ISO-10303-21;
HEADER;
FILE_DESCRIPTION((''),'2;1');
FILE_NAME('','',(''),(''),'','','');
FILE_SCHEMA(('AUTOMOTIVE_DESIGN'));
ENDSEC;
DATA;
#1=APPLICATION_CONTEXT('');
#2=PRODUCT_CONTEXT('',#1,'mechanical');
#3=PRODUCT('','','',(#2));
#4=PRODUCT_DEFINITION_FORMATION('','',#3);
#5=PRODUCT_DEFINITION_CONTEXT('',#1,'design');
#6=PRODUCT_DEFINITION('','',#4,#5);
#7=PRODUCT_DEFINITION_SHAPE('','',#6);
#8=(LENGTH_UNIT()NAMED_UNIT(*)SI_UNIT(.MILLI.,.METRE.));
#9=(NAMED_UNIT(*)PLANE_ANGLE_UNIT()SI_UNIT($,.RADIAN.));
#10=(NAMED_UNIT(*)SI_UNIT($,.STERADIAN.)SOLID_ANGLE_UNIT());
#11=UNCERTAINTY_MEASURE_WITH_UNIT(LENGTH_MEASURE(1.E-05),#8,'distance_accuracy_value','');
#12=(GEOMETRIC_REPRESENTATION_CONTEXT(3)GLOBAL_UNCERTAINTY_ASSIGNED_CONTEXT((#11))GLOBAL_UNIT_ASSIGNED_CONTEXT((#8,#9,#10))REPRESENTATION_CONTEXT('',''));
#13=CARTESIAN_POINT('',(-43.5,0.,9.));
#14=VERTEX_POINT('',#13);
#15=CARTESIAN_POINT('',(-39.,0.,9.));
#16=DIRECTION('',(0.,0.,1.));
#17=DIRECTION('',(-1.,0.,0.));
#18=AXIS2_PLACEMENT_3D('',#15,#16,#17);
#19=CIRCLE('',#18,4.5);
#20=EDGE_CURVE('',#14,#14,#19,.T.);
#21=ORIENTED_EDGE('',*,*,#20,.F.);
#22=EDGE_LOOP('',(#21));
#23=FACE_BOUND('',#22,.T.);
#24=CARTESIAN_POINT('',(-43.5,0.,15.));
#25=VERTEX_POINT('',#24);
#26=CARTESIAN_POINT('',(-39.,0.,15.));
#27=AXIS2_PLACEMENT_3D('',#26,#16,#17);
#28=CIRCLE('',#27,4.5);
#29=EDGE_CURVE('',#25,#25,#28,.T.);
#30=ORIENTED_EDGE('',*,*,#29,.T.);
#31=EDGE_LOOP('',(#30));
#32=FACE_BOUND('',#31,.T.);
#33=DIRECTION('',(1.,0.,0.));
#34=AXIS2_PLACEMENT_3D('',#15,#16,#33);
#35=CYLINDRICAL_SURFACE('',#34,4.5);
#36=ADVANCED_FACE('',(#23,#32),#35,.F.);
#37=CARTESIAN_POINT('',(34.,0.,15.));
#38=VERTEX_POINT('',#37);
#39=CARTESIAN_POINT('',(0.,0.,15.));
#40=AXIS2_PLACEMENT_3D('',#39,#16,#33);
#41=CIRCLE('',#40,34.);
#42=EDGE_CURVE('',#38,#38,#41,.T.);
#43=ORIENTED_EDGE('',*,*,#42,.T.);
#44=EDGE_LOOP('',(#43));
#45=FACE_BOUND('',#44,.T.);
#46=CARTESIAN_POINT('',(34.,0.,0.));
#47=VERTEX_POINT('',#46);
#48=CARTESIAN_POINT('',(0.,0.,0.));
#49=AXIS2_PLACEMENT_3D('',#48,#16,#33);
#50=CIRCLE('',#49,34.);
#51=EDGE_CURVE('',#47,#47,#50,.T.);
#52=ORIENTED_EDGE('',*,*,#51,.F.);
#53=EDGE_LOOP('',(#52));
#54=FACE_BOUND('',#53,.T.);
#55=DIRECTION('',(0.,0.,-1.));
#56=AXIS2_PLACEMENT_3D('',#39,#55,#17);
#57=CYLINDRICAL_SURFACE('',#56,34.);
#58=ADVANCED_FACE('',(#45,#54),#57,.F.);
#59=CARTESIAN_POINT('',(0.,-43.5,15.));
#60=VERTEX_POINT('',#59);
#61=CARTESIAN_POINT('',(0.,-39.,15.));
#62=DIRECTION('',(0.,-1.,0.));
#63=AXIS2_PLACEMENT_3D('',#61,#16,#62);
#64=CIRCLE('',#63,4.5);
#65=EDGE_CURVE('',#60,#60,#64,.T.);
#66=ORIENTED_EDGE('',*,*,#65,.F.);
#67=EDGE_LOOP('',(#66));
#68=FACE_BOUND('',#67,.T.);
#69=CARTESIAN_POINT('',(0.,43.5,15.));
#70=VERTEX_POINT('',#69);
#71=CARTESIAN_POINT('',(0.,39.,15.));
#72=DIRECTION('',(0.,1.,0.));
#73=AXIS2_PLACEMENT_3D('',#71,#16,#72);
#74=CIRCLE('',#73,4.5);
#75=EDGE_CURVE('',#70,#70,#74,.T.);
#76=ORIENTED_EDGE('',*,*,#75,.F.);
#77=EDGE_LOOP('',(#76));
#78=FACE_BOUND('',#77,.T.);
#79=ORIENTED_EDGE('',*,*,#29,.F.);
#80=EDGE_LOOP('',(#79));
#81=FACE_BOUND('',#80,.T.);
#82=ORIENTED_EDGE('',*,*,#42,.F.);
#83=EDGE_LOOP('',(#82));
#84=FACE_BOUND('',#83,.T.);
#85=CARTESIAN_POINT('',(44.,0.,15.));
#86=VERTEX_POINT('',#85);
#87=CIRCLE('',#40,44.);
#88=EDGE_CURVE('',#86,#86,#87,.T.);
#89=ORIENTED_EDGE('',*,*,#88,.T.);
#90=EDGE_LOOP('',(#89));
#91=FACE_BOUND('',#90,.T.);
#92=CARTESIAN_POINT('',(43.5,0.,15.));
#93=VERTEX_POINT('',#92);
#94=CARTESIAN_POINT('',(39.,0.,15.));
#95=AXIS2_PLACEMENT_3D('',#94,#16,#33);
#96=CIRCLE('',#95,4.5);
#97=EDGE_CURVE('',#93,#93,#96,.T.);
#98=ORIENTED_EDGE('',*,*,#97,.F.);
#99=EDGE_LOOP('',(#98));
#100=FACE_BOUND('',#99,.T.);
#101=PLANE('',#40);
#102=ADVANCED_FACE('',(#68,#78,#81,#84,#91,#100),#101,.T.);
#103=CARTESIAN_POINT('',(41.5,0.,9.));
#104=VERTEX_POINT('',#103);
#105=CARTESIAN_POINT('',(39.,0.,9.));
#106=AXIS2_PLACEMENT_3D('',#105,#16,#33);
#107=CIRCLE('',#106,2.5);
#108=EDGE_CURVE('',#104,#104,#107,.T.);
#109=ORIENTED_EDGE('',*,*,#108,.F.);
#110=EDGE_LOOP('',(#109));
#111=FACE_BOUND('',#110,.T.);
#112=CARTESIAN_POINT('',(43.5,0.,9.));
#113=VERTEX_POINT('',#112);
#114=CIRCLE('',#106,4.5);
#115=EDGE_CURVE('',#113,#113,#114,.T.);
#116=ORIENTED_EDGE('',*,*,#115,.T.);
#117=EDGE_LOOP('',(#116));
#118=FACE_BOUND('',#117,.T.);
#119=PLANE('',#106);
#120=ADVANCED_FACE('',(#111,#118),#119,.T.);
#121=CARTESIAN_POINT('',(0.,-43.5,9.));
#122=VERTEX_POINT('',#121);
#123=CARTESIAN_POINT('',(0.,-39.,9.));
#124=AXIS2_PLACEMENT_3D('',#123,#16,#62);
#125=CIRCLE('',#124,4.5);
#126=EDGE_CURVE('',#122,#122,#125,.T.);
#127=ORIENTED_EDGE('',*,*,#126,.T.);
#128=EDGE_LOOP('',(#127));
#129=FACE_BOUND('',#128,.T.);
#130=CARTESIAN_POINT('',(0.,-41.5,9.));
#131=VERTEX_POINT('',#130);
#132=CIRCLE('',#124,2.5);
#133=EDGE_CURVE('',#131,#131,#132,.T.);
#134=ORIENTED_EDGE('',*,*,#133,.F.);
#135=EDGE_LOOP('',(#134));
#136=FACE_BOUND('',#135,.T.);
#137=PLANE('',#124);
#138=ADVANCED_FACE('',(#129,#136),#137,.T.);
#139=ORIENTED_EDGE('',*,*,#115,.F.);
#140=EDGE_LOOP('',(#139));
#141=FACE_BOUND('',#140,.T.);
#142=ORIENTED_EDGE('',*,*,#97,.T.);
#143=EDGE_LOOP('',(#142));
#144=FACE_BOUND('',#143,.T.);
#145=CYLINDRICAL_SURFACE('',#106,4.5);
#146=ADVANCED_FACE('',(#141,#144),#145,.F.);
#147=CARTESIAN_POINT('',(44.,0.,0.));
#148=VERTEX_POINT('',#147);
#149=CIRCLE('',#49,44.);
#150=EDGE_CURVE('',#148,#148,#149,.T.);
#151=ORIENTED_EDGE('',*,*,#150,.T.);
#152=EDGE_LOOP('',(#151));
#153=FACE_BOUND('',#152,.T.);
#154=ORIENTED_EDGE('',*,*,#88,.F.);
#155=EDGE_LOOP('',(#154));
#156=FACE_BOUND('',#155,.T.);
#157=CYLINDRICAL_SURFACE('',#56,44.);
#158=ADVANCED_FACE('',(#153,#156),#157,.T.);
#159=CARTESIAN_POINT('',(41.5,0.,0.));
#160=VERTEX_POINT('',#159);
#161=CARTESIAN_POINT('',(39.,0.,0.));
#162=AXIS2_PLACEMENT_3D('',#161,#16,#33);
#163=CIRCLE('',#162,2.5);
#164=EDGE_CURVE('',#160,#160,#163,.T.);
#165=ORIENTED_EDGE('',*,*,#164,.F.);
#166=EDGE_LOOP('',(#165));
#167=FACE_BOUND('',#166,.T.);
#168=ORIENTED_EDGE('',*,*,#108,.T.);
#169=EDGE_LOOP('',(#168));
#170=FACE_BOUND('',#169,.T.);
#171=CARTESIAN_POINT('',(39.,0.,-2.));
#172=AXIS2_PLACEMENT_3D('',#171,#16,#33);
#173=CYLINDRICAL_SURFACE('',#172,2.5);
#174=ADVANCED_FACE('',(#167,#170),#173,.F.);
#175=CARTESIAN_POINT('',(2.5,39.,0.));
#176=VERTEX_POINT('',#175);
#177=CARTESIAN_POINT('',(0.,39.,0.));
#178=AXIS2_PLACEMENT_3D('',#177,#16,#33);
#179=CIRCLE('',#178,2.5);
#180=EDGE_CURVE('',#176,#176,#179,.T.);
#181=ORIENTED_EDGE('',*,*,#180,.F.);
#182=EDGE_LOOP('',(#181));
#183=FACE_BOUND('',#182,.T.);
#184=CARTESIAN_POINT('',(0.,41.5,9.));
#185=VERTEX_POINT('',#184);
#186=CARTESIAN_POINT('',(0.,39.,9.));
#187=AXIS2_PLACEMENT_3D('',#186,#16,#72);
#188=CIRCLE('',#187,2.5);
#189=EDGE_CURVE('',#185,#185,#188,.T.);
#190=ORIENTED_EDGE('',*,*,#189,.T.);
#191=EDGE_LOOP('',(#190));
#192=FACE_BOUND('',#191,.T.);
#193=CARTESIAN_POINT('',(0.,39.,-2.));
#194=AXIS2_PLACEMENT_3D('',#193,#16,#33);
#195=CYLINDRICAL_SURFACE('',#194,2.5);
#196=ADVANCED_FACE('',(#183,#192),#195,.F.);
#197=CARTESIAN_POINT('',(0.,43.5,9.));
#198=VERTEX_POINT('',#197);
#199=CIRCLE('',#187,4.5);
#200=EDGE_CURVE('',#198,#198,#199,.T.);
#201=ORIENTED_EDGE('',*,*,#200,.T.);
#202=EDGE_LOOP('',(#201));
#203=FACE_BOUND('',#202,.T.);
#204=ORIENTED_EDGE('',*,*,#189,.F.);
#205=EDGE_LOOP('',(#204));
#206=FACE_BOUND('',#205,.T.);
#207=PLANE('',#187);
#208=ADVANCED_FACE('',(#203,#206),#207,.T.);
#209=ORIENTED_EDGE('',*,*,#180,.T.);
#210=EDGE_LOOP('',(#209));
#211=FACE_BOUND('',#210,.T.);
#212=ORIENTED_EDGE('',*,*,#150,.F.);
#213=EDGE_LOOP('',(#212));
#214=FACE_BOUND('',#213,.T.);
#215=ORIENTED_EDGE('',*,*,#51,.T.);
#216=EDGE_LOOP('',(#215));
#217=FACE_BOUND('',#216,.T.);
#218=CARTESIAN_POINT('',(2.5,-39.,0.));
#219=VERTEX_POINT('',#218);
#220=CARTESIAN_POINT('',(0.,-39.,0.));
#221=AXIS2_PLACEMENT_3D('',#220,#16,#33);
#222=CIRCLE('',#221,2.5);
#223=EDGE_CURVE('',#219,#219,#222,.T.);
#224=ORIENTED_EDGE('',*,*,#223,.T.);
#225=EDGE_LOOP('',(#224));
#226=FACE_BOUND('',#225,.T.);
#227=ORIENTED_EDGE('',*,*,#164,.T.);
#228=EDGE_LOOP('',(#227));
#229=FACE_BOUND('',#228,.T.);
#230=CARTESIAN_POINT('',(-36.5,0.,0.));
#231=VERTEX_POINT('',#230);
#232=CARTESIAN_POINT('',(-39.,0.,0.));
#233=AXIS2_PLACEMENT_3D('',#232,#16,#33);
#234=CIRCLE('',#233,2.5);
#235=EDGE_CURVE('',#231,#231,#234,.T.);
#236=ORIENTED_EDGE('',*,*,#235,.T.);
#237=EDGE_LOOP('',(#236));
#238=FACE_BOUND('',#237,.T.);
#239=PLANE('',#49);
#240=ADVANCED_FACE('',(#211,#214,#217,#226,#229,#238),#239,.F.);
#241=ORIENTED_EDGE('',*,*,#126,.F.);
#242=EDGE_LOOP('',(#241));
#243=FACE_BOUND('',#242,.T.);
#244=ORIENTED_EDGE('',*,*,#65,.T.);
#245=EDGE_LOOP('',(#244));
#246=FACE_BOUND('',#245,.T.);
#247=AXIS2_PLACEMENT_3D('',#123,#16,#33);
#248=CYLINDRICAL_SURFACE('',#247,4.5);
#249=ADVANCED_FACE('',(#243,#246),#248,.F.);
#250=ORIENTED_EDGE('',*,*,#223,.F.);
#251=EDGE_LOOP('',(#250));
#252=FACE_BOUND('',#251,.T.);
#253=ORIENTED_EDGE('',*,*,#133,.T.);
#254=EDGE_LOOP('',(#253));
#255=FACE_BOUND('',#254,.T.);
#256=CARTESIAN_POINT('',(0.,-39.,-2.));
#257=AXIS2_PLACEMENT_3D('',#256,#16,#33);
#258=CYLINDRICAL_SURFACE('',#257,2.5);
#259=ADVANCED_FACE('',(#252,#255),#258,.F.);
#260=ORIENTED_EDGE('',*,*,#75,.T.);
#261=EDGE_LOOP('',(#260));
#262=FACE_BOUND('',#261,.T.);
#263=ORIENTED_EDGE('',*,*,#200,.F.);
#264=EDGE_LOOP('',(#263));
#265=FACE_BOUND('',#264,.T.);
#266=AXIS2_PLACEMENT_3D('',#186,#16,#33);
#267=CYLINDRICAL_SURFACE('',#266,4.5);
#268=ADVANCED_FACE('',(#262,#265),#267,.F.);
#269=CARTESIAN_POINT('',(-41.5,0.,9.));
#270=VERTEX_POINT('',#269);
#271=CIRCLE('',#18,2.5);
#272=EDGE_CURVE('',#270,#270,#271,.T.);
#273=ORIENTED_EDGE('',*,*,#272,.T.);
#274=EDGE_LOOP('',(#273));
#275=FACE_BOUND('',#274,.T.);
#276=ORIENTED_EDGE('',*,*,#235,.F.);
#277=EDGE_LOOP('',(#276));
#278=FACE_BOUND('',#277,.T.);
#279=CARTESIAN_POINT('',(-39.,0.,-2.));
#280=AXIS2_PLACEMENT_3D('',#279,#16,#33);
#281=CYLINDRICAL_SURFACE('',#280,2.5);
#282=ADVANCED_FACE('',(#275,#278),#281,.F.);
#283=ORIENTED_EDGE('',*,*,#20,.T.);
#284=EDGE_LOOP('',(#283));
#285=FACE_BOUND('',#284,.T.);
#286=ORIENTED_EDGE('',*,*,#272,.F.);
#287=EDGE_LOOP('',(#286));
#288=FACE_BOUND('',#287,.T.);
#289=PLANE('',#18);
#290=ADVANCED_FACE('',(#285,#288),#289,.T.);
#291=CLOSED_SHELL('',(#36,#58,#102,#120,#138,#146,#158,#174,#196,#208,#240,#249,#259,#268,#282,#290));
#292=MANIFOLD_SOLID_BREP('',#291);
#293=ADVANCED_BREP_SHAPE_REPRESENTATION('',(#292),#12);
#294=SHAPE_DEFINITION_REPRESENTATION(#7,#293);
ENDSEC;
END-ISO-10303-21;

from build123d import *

# Parameters (mm, degrees)
SKETCH_1_R               = 44
SKETCH_1_R_2             = 34
EXTRUDE_1_DEPTH          = 15
SKETCH_2_R               = 4.5
CUT_EXTRUDE_1_DEPTH      = 6
SKETCH_3_R               = 2.5
CUT_EXTRUDE_2_DEPTH      = 11
PATTERN_CIRCULAR_1_COUNT = 4


with BuildPart() as part:
    # 草图1 → 凸台-拉伸1 (new body)
    with BuildSketch(Plane.XY):
        Circle(SKETCH_1_R)
        Circle(SKETCH_1_R_2, mode=Mode.SUBTRACT)
    extrude(amount=EXTRUDE_1_DEPTH)

    # 草图2 → 切除-拉伸1 (cut)
    with BuildSketch(Plane.XY.offset(15)):
        with Locations((39, 0)):
            Circle(SKETCH_2_R)
    cut_extrude_1 = extrude(amount=-CUT_EXTRUDE_1_DEPTH, mode=Mode.SUBTRACT)

    # 草图3 → 切除-拉伸2 (cut)
    with BuildSketch(Plane.XY.offset(9)):
        with Locations((39, 0)):
            Circle(SKETCH_3_R)
    cut_extrude_2 = extrude(amount=-CUT_EXTRUDE_2_DEPTH, mode=Mode.SUBTRACT)

    # 阵列(圆周)1: 切除-拉伸1, 切除-拉伸2 ×4 about axis
    pattern_circular_1_axis = Axis((0, 0, 0), (0, 0, 1))
    for i in range(1, PATTERN_CIRCULAR_1_COUNT):
        add(cut_extrude_1.rotate(pattern_circular_1_axis, i * 360 / PATTERN_CIRCULAR_1_COUNT), mode=Mode.SUBTRACT)
        add(cut_extrude_2.rotate(pattern_circular_1_axis, i * 360 / PATTERN_CIRCULAR_1_COUNT), mode=Mode.SUBTRACT)


solid = part.part
